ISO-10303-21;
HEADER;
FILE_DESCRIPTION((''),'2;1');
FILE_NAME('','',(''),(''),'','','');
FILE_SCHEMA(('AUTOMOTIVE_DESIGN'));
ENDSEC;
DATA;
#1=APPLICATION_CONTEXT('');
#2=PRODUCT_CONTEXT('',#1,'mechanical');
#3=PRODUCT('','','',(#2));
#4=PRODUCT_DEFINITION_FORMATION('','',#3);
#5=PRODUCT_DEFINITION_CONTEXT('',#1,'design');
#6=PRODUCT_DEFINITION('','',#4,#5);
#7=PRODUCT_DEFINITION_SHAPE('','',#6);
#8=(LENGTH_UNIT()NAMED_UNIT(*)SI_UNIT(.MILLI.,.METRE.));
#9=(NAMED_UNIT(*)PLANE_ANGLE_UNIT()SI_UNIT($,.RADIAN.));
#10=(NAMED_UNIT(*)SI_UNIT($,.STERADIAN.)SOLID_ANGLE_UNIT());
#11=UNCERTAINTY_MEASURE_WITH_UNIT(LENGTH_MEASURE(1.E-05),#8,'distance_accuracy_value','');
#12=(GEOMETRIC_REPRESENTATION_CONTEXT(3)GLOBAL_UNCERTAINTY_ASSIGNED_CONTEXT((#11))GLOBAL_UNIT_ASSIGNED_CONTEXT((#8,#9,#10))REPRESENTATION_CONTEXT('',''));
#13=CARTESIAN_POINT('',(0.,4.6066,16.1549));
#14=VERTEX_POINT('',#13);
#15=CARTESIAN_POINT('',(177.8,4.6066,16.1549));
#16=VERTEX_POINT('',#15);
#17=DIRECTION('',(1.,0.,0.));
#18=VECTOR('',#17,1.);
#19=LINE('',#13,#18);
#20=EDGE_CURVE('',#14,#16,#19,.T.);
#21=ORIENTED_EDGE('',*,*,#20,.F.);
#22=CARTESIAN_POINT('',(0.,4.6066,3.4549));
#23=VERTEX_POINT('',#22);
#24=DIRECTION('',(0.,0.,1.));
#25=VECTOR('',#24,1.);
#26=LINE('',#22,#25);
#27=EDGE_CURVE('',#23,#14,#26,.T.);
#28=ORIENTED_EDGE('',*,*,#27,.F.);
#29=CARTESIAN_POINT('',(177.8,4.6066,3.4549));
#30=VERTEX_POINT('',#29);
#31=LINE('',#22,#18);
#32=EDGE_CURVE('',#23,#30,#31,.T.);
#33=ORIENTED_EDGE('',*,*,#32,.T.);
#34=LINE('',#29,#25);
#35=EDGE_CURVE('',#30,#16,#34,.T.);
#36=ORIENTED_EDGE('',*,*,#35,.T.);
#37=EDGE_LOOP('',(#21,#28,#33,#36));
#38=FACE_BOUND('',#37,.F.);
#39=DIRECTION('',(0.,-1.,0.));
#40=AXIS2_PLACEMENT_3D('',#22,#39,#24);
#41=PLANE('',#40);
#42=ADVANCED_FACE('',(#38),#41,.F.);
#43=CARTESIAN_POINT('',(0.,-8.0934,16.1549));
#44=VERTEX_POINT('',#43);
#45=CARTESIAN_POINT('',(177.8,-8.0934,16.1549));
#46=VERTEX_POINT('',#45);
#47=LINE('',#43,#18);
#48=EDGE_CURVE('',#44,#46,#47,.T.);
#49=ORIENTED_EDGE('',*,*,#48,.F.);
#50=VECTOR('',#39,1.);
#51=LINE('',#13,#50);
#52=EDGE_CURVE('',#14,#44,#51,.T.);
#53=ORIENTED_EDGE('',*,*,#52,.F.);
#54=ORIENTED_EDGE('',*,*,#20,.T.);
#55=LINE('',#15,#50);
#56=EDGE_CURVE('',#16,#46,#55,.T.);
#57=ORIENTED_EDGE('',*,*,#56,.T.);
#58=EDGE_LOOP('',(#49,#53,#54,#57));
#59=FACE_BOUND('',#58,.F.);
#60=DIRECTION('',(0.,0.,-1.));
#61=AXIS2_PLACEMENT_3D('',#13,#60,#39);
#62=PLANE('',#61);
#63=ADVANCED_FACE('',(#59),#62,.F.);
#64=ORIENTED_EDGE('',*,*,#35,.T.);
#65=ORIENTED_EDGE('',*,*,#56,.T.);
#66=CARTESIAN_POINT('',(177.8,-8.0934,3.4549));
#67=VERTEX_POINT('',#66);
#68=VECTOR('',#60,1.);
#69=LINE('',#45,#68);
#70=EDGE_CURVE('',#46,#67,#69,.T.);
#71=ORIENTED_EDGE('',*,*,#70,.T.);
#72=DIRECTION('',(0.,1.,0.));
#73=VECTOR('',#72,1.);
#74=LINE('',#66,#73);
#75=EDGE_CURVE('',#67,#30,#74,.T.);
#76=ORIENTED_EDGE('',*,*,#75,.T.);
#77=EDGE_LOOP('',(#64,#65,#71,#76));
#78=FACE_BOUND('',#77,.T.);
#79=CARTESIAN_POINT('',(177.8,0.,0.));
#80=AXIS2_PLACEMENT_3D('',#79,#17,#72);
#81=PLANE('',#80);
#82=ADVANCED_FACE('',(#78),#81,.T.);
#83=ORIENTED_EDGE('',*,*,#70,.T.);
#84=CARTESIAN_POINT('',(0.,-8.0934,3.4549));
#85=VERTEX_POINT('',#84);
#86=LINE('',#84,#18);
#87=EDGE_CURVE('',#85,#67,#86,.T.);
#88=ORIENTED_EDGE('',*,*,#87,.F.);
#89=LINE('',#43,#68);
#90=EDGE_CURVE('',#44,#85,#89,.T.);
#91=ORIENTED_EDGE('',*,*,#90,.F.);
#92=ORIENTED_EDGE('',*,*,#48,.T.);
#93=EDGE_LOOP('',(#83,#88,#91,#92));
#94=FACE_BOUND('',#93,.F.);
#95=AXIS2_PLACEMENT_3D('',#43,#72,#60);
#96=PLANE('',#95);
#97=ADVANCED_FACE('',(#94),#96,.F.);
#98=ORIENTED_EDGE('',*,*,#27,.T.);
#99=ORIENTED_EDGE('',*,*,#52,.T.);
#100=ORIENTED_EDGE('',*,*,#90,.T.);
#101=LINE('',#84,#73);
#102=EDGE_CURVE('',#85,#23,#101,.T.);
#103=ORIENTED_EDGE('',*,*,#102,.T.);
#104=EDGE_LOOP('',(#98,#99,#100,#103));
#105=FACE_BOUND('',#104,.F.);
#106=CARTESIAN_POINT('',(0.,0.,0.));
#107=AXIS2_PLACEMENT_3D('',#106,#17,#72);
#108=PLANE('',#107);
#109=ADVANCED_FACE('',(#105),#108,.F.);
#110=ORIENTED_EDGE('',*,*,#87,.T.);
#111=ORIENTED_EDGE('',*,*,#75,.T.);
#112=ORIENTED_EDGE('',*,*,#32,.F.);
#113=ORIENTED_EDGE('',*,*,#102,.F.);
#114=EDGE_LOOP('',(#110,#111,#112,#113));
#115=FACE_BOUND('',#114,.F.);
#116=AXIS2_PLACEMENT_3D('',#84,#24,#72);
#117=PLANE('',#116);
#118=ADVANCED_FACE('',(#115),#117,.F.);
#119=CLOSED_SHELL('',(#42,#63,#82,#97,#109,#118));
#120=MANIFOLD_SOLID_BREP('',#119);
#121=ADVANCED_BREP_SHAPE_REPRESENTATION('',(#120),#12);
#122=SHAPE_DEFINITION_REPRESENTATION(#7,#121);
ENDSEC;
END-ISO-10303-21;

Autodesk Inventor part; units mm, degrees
ref_plane "YZ Plane" through (0, 0, 0) normal (1, 0, 0) x (0, 1, 0)
ref_plane "XZ Plane" through (0, 0, 0) normal (0, 1, 0) x (-1, 0, 0)
ref_plane "XY Plane" through (0, 0, 0) normal (0, 0, 1) x (1, 0, 0)
sketch "Sketch1" plane through (0, 0, 0) normal (1, 0, 0) x (0, 1, 0)
  line L0 (4.6066, 16.1549) -> (-8.0934, 16.1549)
  line L1 (-8.0934, 16.1549) -> (-8.0934, 3.4549)
  line L2 (-8.0934, 3.4549) -> (4.6066, 3.4549)
  line L3 (4.6066, 3.4549) -> (4.6066, 16.1549)
  point P0 (0, 0)
  dimension "d0" = 12.7
  dimension "d1" = 12.7
extrude "Extrusion1" add sketch "Sketch1" along normal blind 177.8
properties part number "Part Joint"
